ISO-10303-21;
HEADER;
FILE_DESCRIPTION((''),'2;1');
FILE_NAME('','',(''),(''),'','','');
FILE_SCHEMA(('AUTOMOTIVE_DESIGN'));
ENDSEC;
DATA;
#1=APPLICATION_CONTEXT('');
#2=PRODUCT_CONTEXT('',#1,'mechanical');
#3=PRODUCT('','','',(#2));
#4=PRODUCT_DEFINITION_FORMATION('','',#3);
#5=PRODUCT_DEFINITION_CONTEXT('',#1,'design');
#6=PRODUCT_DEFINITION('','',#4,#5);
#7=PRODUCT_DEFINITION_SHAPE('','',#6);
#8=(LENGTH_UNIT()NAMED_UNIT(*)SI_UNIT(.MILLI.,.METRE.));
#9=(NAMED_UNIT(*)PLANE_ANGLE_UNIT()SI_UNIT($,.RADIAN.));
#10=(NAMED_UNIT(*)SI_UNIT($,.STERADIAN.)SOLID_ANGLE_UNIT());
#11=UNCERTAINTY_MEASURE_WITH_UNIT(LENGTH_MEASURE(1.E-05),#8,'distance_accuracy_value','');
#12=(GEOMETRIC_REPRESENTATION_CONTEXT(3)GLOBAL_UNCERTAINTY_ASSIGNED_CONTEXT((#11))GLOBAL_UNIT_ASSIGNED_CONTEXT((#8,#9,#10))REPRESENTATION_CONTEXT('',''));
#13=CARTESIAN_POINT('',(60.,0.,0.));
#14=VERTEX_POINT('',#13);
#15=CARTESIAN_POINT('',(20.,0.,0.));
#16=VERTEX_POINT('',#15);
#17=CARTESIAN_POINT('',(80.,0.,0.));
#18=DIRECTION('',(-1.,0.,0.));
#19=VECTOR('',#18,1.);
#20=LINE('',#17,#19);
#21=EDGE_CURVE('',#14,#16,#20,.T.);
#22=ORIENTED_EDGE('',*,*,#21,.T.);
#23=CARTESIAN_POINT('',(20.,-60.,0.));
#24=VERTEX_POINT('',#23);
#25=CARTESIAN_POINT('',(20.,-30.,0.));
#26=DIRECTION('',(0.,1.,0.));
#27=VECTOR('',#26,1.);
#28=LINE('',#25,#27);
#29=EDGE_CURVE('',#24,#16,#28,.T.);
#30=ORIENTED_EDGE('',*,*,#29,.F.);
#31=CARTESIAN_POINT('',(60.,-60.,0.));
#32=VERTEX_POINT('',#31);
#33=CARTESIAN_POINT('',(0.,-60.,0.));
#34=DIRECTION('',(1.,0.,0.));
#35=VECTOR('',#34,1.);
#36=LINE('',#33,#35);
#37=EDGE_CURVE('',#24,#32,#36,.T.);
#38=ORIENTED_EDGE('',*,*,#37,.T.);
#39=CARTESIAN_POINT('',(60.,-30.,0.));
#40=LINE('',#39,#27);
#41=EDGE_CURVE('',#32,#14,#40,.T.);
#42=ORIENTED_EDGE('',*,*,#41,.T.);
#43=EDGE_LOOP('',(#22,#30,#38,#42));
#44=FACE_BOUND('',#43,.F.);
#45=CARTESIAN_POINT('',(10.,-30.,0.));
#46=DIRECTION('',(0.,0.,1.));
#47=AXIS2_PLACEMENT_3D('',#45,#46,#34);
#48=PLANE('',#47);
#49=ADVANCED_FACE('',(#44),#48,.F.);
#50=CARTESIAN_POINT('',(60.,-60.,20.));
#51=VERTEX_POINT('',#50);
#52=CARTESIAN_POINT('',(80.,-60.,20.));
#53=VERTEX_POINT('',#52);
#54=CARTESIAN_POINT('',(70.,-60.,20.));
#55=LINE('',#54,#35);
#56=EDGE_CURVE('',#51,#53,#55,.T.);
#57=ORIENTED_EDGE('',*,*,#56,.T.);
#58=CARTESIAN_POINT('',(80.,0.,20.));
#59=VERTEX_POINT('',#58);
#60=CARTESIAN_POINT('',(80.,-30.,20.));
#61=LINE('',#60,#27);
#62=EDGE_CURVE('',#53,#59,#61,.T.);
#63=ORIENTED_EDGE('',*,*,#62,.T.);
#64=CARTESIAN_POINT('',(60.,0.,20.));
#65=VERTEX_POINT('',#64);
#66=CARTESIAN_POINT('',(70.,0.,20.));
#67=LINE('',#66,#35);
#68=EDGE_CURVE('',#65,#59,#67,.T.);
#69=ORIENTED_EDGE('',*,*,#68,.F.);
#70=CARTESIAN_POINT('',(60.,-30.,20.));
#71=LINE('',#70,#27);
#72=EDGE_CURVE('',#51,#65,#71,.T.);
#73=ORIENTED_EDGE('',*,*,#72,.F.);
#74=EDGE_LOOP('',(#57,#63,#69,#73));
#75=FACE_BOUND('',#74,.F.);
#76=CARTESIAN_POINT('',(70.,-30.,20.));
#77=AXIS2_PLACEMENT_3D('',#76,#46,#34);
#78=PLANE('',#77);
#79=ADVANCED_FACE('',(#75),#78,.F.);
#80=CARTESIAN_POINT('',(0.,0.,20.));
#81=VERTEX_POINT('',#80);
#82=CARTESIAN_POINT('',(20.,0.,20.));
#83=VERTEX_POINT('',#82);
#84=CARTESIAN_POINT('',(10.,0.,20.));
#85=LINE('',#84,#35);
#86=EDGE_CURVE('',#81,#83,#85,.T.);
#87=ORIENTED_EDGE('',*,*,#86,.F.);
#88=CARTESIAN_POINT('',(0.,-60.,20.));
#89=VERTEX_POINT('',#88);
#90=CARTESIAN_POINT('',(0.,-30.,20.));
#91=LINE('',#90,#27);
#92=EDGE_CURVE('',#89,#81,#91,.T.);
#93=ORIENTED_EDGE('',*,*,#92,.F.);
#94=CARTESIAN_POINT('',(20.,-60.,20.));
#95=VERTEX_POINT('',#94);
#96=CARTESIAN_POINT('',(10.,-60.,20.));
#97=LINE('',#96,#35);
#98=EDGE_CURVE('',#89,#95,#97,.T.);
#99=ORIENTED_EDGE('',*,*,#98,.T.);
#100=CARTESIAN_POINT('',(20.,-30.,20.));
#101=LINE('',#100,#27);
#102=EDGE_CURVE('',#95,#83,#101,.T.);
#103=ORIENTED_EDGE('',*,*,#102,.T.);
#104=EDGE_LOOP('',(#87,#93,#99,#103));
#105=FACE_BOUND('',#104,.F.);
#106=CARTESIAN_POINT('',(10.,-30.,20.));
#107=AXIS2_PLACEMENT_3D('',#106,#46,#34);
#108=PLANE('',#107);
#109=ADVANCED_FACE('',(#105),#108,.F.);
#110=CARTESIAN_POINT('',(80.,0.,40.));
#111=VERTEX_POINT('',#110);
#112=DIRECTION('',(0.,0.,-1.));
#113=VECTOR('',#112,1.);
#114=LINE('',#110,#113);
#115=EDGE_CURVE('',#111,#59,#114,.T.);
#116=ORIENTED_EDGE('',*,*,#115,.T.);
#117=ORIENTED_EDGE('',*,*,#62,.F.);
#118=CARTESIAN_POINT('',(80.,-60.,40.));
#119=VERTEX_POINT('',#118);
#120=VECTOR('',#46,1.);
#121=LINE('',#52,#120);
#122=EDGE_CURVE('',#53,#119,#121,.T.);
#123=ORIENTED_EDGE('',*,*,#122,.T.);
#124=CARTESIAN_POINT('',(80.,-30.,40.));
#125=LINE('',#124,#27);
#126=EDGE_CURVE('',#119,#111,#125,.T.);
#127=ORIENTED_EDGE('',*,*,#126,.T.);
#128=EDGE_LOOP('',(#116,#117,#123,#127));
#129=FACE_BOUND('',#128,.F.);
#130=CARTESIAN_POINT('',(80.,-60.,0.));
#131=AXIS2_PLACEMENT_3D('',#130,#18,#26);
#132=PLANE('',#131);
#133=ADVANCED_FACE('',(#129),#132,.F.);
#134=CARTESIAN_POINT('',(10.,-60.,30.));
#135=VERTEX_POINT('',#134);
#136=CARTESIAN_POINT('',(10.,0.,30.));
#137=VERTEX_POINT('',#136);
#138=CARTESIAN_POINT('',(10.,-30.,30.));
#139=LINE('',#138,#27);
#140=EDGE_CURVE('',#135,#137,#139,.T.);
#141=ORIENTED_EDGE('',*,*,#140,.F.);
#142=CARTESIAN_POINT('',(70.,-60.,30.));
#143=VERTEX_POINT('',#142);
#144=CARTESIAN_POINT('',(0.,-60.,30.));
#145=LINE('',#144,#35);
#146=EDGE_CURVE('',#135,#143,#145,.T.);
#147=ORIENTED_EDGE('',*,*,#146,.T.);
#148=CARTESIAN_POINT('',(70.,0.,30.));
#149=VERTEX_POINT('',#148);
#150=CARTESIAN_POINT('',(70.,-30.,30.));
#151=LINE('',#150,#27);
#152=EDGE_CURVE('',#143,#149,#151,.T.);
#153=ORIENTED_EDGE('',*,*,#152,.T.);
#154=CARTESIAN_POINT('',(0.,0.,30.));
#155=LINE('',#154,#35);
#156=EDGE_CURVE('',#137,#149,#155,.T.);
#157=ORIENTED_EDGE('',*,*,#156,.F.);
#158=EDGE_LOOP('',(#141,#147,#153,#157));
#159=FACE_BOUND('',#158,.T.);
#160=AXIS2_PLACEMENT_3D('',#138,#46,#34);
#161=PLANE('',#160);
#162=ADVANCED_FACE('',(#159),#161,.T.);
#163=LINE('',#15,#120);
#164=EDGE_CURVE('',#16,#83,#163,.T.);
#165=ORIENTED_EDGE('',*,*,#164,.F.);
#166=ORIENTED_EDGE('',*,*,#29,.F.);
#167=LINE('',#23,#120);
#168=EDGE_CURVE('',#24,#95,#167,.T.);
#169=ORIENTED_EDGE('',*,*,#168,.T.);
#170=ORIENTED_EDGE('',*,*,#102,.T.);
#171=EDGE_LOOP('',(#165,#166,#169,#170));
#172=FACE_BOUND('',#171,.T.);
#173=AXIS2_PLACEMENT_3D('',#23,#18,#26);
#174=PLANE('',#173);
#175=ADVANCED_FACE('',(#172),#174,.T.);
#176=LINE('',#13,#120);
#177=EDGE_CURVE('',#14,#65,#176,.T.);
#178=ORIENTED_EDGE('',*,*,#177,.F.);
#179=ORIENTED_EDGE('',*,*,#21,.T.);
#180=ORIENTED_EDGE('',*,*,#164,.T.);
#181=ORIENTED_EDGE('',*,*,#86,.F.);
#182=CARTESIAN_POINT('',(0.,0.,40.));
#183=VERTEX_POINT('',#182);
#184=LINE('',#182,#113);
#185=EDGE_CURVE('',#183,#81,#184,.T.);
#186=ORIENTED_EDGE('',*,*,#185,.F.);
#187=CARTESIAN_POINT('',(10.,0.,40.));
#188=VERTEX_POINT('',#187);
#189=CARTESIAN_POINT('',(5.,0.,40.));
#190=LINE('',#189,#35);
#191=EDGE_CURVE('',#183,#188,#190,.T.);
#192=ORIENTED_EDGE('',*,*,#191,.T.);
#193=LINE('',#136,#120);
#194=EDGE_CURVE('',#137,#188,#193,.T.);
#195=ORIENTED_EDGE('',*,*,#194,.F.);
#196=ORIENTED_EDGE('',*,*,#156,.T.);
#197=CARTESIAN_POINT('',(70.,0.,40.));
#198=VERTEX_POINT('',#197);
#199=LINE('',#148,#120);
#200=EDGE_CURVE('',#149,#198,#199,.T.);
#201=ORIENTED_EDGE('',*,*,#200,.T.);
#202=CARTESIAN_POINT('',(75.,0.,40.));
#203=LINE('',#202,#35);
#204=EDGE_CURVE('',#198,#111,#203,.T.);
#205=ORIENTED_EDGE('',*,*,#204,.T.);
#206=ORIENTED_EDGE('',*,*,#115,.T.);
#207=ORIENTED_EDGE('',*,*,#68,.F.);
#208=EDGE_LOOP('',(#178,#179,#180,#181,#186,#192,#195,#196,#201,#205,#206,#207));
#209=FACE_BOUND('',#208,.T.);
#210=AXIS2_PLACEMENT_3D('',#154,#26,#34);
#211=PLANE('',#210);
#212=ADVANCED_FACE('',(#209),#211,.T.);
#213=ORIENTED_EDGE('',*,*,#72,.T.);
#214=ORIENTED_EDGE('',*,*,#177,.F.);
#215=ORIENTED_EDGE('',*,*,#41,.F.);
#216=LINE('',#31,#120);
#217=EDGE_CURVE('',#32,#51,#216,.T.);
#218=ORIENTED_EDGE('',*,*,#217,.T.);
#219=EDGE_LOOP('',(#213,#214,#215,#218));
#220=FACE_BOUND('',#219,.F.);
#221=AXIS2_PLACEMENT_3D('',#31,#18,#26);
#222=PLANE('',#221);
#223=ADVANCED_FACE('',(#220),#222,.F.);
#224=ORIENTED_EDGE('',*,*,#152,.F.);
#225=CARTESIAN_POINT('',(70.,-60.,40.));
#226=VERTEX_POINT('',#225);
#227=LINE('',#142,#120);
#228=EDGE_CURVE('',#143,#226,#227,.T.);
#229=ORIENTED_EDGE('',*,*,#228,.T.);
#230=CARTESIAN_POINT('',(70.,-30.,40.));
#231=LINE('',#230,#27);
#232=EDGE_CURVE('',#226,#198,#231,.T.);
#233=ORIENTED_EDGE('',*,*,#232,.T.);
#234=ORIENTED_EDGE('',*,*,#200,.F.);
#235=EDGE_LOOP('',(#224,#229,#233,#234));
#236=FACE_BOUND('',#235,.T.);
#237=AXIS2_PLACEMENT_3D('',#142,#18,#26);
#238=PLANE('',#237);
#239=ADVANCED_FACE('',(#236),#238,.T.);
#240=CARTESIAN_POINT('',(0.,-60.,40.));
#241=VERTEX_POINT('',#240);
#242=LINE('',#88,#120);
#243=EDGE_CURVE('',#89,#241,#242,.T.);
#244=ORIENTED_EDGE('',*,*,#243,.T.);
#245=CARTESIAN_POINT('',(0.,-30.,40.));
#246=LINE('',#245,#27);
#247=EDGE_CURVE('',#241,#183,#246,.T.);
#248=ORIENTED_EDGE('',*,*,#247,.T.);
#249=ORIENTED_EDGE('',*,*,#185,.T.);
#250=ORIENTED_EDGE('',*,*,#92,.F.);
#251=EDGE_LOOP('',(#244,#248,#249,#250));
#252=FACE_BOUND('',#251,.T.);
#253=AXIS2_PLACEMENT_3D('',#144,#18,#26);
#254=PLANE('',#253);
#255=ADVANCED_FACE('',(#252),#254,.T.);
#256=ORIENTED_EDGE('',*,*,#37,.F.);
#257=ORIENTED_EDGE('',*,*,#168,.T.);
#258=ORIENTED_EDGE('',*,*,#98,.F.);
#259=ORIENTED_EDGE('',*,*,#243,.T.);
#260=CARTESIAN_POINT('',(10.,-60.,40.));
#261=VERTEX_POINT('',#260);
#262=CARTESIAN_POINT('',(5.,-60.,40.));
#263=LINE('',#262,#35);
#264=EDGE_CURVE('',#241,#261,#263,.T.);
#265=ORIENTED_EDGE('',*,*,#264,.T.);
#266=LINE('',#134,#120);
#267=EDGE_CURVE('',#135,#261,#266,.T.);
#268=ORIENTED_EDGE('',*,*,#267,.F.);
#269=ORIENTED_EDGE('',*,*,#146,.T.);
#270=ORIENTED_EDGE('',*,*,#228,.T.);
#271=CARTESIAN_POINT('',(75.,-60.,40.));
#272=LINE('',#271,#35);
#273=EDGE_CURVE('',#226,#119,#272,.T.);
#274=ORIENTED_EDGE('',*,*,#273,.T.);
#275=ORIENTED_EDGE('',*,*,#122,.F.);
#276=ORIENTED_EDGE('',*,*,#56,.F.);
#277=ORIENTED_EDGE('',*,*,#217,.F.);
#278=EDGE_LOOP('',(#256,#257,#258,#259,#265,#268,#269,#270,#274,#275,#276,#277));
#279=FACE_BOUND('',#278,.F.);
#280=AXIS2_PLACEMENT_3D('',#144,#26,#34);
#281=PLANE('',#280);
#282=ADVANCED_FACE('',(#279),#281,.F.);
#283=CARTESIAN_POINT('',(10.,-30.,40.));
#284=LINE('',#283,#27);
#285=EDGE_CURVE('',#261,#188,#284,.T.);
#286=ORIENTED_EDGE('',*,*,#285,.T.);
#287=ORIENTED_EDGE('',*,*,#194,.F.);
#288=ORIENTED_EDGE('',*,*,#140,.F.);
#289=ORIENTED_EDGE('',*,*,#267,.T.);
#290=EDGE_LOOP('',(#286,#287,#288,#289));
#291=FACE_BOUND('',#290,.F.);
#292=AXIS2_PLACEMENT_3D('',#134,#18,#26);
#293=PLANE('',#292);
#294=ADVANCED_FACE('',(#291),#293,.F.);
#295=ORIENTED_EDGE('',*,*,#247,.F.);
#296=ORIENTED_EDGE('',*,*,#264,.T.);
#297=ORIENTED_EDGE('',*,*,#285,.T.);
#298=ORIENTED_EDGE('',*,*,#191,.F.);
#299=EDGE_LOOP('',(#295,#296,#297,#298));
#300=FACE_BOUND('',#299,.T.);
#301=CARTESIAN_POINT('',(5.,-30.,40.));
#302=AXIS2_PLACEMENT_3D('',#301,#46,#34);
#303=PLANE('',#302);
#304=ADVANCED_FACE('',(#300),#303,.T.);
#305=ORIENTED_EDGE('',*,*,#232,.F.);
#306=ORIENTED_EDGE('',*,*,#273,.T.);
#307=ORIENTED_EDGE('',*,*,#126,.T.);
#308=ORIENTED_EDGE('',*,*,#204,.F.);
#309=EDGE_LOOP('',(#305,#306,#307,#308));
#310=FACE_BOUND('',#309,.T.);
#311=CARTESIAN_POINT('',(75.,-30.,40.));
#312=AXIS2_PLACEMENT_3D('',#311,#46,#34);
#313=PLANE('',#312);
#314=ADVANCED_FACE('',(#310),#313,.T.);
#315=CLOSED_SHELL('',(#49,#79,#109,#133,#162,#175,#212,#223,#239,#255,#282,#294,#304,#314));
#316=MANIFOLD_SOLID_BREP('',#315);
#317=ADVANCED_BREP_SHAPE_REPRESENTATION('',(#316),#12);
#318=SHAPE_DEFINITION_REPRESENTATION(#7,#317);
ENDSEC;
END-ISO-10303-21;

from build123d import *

# Parameters (mm, degrees)
F0_W     = 20
F0_H     = 60
F0_W_2   = 40
F1_DEPTH = 30
F2_W     = 10
F2_H     = 60
F3_DEPTH = 20
F4_DEPTH = 10


with BuildPart() as f1:
    # F0 (on Top) → F1 (new body)
    with BuildSketch(Plane.XY):
        with Locations((10, -30)):
            Rectangle(F0_W, F0_H)
        with Locations((40, -30)):
            Rectangle(F0_W_2, F0_H)
        with Locations((70, -30)):
            Rectangle(F0_W, F0_H)
    extrude(amount=F1_DEPTH)

    # F2 (on face) + F0 (on Top) → F3 (cut)
    with BuildSketch(Plane.XY.offset(30)):
        with Locations((5, -30)):
            Rectangle(F2_W, F2_H)
        with Locations((75, -30)):
            Rectangle(F2_W, F2_H)
    with BuildSketch(Plane.XY):
        with Locations((10, -30)):
            Rectangle(F0_W, F0_H)
        with Locations((70, -30)):
            Rectangle(F0_W, F0_H)
    extrude(amount=F3_DEPTH, mode=Mode.SUBTRACT)

    # F2 (on face) → F4 (join)
    with BuildSketch(Plane.XY.offset(30)):
        with Locations((5, -30)):
            Rectangle(F2_W, F2_H)
        with Locations((75, -30)):
            Rectangle(F2_W, F2_H)
    extrude(amount=F4_DEPTH)


solid = f1.part
